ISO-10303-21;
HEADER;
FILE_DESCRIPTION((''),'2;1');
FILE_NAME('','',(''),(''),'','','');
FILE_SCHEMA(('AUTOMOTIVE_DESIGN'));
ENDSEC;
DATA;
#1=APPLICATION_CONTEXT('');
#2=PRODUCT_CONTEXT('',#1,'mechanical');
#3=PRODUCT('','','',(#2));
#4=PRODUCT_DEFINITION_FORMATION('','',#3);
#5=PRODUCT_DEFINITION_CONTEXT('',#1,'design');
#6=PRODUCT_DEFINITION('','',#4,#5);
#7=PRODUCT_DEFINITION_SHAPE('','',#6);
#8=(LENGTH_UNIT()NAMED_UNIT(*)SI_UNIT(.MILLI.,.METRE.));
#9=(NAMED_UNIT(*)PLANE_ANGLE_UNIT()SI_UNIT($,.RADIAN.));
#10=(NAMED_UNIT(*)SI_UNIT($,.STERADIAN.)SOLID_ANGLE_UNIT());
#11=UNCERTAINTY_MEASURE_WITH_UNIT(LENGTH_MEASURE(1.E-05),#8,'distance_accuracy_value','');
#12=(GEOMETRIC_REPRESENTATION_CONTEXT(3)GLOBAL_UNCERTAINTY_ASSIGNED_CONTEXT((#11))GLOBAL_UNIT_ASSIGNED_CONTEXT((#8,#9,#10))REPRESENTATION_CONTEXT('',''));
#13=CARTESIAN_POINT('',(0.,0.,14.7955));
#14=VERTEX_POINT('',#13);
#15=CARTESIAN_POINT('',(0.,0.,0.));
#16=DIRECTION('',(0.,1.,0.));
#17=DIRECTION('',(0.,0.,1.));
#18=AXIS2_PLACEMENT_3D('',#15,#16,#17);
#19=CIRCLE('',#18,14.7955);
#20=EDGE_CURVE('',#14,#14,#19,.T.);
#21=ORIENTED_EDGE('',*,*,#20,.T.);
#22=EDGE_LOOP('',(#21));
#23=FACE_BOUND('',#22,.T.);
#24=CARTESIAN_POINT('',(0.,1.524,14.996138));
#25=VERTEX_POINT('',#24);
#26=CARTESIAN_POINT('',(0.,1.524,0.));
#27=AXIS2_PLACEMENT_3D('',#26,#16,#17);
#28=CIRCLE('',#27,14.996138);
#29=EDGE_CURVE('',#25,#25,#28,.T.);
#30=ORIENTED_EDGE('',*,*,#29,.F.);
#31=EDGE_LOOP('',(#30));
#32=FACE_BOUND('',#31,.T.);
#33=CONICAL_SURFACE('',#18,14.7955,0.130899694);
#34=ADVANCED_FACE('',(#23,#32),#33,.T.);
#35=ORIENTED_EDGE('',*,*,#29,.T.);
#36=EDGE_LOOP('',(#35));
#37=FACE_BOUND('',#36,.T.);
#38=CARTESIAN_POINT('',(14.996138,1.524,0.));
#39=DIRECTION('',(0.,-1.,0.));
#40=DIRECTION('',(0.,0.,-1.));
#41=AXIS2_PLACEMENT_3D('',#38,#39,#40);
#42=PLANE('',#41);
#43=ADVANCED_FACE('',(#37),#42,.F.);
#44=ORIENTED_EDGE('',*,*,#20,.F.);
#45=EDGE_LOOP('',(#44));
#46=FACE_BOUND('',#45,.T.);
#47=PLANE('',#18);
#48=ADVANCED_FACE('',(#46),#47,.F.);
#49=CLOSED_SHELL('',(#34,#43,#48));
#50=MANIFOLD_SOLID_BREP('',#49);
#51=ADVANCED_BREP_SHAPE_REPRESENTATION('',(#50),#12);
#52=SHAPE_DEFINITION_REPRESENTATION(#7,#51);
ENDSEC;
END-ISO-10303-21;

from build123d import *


with BuildPart() as part:
    # Sketch2 → Revolve1 (revolve)
    with BuildSketch(Plane.XY, mode=Mode.PRIVATE) as revolve1_sk:
        Polygon((0, 0), (14.7955, 0), (14.996138406, 1.524), (0, 1.524), align=None)
    revolve(revolve1_sk.sketch.rotate(Axis((0, 1.524, 0), (0, -1, 0)), 90), axis=Axis((0, 1.524, 0), (0, -1, 0)))


solid = part.part
